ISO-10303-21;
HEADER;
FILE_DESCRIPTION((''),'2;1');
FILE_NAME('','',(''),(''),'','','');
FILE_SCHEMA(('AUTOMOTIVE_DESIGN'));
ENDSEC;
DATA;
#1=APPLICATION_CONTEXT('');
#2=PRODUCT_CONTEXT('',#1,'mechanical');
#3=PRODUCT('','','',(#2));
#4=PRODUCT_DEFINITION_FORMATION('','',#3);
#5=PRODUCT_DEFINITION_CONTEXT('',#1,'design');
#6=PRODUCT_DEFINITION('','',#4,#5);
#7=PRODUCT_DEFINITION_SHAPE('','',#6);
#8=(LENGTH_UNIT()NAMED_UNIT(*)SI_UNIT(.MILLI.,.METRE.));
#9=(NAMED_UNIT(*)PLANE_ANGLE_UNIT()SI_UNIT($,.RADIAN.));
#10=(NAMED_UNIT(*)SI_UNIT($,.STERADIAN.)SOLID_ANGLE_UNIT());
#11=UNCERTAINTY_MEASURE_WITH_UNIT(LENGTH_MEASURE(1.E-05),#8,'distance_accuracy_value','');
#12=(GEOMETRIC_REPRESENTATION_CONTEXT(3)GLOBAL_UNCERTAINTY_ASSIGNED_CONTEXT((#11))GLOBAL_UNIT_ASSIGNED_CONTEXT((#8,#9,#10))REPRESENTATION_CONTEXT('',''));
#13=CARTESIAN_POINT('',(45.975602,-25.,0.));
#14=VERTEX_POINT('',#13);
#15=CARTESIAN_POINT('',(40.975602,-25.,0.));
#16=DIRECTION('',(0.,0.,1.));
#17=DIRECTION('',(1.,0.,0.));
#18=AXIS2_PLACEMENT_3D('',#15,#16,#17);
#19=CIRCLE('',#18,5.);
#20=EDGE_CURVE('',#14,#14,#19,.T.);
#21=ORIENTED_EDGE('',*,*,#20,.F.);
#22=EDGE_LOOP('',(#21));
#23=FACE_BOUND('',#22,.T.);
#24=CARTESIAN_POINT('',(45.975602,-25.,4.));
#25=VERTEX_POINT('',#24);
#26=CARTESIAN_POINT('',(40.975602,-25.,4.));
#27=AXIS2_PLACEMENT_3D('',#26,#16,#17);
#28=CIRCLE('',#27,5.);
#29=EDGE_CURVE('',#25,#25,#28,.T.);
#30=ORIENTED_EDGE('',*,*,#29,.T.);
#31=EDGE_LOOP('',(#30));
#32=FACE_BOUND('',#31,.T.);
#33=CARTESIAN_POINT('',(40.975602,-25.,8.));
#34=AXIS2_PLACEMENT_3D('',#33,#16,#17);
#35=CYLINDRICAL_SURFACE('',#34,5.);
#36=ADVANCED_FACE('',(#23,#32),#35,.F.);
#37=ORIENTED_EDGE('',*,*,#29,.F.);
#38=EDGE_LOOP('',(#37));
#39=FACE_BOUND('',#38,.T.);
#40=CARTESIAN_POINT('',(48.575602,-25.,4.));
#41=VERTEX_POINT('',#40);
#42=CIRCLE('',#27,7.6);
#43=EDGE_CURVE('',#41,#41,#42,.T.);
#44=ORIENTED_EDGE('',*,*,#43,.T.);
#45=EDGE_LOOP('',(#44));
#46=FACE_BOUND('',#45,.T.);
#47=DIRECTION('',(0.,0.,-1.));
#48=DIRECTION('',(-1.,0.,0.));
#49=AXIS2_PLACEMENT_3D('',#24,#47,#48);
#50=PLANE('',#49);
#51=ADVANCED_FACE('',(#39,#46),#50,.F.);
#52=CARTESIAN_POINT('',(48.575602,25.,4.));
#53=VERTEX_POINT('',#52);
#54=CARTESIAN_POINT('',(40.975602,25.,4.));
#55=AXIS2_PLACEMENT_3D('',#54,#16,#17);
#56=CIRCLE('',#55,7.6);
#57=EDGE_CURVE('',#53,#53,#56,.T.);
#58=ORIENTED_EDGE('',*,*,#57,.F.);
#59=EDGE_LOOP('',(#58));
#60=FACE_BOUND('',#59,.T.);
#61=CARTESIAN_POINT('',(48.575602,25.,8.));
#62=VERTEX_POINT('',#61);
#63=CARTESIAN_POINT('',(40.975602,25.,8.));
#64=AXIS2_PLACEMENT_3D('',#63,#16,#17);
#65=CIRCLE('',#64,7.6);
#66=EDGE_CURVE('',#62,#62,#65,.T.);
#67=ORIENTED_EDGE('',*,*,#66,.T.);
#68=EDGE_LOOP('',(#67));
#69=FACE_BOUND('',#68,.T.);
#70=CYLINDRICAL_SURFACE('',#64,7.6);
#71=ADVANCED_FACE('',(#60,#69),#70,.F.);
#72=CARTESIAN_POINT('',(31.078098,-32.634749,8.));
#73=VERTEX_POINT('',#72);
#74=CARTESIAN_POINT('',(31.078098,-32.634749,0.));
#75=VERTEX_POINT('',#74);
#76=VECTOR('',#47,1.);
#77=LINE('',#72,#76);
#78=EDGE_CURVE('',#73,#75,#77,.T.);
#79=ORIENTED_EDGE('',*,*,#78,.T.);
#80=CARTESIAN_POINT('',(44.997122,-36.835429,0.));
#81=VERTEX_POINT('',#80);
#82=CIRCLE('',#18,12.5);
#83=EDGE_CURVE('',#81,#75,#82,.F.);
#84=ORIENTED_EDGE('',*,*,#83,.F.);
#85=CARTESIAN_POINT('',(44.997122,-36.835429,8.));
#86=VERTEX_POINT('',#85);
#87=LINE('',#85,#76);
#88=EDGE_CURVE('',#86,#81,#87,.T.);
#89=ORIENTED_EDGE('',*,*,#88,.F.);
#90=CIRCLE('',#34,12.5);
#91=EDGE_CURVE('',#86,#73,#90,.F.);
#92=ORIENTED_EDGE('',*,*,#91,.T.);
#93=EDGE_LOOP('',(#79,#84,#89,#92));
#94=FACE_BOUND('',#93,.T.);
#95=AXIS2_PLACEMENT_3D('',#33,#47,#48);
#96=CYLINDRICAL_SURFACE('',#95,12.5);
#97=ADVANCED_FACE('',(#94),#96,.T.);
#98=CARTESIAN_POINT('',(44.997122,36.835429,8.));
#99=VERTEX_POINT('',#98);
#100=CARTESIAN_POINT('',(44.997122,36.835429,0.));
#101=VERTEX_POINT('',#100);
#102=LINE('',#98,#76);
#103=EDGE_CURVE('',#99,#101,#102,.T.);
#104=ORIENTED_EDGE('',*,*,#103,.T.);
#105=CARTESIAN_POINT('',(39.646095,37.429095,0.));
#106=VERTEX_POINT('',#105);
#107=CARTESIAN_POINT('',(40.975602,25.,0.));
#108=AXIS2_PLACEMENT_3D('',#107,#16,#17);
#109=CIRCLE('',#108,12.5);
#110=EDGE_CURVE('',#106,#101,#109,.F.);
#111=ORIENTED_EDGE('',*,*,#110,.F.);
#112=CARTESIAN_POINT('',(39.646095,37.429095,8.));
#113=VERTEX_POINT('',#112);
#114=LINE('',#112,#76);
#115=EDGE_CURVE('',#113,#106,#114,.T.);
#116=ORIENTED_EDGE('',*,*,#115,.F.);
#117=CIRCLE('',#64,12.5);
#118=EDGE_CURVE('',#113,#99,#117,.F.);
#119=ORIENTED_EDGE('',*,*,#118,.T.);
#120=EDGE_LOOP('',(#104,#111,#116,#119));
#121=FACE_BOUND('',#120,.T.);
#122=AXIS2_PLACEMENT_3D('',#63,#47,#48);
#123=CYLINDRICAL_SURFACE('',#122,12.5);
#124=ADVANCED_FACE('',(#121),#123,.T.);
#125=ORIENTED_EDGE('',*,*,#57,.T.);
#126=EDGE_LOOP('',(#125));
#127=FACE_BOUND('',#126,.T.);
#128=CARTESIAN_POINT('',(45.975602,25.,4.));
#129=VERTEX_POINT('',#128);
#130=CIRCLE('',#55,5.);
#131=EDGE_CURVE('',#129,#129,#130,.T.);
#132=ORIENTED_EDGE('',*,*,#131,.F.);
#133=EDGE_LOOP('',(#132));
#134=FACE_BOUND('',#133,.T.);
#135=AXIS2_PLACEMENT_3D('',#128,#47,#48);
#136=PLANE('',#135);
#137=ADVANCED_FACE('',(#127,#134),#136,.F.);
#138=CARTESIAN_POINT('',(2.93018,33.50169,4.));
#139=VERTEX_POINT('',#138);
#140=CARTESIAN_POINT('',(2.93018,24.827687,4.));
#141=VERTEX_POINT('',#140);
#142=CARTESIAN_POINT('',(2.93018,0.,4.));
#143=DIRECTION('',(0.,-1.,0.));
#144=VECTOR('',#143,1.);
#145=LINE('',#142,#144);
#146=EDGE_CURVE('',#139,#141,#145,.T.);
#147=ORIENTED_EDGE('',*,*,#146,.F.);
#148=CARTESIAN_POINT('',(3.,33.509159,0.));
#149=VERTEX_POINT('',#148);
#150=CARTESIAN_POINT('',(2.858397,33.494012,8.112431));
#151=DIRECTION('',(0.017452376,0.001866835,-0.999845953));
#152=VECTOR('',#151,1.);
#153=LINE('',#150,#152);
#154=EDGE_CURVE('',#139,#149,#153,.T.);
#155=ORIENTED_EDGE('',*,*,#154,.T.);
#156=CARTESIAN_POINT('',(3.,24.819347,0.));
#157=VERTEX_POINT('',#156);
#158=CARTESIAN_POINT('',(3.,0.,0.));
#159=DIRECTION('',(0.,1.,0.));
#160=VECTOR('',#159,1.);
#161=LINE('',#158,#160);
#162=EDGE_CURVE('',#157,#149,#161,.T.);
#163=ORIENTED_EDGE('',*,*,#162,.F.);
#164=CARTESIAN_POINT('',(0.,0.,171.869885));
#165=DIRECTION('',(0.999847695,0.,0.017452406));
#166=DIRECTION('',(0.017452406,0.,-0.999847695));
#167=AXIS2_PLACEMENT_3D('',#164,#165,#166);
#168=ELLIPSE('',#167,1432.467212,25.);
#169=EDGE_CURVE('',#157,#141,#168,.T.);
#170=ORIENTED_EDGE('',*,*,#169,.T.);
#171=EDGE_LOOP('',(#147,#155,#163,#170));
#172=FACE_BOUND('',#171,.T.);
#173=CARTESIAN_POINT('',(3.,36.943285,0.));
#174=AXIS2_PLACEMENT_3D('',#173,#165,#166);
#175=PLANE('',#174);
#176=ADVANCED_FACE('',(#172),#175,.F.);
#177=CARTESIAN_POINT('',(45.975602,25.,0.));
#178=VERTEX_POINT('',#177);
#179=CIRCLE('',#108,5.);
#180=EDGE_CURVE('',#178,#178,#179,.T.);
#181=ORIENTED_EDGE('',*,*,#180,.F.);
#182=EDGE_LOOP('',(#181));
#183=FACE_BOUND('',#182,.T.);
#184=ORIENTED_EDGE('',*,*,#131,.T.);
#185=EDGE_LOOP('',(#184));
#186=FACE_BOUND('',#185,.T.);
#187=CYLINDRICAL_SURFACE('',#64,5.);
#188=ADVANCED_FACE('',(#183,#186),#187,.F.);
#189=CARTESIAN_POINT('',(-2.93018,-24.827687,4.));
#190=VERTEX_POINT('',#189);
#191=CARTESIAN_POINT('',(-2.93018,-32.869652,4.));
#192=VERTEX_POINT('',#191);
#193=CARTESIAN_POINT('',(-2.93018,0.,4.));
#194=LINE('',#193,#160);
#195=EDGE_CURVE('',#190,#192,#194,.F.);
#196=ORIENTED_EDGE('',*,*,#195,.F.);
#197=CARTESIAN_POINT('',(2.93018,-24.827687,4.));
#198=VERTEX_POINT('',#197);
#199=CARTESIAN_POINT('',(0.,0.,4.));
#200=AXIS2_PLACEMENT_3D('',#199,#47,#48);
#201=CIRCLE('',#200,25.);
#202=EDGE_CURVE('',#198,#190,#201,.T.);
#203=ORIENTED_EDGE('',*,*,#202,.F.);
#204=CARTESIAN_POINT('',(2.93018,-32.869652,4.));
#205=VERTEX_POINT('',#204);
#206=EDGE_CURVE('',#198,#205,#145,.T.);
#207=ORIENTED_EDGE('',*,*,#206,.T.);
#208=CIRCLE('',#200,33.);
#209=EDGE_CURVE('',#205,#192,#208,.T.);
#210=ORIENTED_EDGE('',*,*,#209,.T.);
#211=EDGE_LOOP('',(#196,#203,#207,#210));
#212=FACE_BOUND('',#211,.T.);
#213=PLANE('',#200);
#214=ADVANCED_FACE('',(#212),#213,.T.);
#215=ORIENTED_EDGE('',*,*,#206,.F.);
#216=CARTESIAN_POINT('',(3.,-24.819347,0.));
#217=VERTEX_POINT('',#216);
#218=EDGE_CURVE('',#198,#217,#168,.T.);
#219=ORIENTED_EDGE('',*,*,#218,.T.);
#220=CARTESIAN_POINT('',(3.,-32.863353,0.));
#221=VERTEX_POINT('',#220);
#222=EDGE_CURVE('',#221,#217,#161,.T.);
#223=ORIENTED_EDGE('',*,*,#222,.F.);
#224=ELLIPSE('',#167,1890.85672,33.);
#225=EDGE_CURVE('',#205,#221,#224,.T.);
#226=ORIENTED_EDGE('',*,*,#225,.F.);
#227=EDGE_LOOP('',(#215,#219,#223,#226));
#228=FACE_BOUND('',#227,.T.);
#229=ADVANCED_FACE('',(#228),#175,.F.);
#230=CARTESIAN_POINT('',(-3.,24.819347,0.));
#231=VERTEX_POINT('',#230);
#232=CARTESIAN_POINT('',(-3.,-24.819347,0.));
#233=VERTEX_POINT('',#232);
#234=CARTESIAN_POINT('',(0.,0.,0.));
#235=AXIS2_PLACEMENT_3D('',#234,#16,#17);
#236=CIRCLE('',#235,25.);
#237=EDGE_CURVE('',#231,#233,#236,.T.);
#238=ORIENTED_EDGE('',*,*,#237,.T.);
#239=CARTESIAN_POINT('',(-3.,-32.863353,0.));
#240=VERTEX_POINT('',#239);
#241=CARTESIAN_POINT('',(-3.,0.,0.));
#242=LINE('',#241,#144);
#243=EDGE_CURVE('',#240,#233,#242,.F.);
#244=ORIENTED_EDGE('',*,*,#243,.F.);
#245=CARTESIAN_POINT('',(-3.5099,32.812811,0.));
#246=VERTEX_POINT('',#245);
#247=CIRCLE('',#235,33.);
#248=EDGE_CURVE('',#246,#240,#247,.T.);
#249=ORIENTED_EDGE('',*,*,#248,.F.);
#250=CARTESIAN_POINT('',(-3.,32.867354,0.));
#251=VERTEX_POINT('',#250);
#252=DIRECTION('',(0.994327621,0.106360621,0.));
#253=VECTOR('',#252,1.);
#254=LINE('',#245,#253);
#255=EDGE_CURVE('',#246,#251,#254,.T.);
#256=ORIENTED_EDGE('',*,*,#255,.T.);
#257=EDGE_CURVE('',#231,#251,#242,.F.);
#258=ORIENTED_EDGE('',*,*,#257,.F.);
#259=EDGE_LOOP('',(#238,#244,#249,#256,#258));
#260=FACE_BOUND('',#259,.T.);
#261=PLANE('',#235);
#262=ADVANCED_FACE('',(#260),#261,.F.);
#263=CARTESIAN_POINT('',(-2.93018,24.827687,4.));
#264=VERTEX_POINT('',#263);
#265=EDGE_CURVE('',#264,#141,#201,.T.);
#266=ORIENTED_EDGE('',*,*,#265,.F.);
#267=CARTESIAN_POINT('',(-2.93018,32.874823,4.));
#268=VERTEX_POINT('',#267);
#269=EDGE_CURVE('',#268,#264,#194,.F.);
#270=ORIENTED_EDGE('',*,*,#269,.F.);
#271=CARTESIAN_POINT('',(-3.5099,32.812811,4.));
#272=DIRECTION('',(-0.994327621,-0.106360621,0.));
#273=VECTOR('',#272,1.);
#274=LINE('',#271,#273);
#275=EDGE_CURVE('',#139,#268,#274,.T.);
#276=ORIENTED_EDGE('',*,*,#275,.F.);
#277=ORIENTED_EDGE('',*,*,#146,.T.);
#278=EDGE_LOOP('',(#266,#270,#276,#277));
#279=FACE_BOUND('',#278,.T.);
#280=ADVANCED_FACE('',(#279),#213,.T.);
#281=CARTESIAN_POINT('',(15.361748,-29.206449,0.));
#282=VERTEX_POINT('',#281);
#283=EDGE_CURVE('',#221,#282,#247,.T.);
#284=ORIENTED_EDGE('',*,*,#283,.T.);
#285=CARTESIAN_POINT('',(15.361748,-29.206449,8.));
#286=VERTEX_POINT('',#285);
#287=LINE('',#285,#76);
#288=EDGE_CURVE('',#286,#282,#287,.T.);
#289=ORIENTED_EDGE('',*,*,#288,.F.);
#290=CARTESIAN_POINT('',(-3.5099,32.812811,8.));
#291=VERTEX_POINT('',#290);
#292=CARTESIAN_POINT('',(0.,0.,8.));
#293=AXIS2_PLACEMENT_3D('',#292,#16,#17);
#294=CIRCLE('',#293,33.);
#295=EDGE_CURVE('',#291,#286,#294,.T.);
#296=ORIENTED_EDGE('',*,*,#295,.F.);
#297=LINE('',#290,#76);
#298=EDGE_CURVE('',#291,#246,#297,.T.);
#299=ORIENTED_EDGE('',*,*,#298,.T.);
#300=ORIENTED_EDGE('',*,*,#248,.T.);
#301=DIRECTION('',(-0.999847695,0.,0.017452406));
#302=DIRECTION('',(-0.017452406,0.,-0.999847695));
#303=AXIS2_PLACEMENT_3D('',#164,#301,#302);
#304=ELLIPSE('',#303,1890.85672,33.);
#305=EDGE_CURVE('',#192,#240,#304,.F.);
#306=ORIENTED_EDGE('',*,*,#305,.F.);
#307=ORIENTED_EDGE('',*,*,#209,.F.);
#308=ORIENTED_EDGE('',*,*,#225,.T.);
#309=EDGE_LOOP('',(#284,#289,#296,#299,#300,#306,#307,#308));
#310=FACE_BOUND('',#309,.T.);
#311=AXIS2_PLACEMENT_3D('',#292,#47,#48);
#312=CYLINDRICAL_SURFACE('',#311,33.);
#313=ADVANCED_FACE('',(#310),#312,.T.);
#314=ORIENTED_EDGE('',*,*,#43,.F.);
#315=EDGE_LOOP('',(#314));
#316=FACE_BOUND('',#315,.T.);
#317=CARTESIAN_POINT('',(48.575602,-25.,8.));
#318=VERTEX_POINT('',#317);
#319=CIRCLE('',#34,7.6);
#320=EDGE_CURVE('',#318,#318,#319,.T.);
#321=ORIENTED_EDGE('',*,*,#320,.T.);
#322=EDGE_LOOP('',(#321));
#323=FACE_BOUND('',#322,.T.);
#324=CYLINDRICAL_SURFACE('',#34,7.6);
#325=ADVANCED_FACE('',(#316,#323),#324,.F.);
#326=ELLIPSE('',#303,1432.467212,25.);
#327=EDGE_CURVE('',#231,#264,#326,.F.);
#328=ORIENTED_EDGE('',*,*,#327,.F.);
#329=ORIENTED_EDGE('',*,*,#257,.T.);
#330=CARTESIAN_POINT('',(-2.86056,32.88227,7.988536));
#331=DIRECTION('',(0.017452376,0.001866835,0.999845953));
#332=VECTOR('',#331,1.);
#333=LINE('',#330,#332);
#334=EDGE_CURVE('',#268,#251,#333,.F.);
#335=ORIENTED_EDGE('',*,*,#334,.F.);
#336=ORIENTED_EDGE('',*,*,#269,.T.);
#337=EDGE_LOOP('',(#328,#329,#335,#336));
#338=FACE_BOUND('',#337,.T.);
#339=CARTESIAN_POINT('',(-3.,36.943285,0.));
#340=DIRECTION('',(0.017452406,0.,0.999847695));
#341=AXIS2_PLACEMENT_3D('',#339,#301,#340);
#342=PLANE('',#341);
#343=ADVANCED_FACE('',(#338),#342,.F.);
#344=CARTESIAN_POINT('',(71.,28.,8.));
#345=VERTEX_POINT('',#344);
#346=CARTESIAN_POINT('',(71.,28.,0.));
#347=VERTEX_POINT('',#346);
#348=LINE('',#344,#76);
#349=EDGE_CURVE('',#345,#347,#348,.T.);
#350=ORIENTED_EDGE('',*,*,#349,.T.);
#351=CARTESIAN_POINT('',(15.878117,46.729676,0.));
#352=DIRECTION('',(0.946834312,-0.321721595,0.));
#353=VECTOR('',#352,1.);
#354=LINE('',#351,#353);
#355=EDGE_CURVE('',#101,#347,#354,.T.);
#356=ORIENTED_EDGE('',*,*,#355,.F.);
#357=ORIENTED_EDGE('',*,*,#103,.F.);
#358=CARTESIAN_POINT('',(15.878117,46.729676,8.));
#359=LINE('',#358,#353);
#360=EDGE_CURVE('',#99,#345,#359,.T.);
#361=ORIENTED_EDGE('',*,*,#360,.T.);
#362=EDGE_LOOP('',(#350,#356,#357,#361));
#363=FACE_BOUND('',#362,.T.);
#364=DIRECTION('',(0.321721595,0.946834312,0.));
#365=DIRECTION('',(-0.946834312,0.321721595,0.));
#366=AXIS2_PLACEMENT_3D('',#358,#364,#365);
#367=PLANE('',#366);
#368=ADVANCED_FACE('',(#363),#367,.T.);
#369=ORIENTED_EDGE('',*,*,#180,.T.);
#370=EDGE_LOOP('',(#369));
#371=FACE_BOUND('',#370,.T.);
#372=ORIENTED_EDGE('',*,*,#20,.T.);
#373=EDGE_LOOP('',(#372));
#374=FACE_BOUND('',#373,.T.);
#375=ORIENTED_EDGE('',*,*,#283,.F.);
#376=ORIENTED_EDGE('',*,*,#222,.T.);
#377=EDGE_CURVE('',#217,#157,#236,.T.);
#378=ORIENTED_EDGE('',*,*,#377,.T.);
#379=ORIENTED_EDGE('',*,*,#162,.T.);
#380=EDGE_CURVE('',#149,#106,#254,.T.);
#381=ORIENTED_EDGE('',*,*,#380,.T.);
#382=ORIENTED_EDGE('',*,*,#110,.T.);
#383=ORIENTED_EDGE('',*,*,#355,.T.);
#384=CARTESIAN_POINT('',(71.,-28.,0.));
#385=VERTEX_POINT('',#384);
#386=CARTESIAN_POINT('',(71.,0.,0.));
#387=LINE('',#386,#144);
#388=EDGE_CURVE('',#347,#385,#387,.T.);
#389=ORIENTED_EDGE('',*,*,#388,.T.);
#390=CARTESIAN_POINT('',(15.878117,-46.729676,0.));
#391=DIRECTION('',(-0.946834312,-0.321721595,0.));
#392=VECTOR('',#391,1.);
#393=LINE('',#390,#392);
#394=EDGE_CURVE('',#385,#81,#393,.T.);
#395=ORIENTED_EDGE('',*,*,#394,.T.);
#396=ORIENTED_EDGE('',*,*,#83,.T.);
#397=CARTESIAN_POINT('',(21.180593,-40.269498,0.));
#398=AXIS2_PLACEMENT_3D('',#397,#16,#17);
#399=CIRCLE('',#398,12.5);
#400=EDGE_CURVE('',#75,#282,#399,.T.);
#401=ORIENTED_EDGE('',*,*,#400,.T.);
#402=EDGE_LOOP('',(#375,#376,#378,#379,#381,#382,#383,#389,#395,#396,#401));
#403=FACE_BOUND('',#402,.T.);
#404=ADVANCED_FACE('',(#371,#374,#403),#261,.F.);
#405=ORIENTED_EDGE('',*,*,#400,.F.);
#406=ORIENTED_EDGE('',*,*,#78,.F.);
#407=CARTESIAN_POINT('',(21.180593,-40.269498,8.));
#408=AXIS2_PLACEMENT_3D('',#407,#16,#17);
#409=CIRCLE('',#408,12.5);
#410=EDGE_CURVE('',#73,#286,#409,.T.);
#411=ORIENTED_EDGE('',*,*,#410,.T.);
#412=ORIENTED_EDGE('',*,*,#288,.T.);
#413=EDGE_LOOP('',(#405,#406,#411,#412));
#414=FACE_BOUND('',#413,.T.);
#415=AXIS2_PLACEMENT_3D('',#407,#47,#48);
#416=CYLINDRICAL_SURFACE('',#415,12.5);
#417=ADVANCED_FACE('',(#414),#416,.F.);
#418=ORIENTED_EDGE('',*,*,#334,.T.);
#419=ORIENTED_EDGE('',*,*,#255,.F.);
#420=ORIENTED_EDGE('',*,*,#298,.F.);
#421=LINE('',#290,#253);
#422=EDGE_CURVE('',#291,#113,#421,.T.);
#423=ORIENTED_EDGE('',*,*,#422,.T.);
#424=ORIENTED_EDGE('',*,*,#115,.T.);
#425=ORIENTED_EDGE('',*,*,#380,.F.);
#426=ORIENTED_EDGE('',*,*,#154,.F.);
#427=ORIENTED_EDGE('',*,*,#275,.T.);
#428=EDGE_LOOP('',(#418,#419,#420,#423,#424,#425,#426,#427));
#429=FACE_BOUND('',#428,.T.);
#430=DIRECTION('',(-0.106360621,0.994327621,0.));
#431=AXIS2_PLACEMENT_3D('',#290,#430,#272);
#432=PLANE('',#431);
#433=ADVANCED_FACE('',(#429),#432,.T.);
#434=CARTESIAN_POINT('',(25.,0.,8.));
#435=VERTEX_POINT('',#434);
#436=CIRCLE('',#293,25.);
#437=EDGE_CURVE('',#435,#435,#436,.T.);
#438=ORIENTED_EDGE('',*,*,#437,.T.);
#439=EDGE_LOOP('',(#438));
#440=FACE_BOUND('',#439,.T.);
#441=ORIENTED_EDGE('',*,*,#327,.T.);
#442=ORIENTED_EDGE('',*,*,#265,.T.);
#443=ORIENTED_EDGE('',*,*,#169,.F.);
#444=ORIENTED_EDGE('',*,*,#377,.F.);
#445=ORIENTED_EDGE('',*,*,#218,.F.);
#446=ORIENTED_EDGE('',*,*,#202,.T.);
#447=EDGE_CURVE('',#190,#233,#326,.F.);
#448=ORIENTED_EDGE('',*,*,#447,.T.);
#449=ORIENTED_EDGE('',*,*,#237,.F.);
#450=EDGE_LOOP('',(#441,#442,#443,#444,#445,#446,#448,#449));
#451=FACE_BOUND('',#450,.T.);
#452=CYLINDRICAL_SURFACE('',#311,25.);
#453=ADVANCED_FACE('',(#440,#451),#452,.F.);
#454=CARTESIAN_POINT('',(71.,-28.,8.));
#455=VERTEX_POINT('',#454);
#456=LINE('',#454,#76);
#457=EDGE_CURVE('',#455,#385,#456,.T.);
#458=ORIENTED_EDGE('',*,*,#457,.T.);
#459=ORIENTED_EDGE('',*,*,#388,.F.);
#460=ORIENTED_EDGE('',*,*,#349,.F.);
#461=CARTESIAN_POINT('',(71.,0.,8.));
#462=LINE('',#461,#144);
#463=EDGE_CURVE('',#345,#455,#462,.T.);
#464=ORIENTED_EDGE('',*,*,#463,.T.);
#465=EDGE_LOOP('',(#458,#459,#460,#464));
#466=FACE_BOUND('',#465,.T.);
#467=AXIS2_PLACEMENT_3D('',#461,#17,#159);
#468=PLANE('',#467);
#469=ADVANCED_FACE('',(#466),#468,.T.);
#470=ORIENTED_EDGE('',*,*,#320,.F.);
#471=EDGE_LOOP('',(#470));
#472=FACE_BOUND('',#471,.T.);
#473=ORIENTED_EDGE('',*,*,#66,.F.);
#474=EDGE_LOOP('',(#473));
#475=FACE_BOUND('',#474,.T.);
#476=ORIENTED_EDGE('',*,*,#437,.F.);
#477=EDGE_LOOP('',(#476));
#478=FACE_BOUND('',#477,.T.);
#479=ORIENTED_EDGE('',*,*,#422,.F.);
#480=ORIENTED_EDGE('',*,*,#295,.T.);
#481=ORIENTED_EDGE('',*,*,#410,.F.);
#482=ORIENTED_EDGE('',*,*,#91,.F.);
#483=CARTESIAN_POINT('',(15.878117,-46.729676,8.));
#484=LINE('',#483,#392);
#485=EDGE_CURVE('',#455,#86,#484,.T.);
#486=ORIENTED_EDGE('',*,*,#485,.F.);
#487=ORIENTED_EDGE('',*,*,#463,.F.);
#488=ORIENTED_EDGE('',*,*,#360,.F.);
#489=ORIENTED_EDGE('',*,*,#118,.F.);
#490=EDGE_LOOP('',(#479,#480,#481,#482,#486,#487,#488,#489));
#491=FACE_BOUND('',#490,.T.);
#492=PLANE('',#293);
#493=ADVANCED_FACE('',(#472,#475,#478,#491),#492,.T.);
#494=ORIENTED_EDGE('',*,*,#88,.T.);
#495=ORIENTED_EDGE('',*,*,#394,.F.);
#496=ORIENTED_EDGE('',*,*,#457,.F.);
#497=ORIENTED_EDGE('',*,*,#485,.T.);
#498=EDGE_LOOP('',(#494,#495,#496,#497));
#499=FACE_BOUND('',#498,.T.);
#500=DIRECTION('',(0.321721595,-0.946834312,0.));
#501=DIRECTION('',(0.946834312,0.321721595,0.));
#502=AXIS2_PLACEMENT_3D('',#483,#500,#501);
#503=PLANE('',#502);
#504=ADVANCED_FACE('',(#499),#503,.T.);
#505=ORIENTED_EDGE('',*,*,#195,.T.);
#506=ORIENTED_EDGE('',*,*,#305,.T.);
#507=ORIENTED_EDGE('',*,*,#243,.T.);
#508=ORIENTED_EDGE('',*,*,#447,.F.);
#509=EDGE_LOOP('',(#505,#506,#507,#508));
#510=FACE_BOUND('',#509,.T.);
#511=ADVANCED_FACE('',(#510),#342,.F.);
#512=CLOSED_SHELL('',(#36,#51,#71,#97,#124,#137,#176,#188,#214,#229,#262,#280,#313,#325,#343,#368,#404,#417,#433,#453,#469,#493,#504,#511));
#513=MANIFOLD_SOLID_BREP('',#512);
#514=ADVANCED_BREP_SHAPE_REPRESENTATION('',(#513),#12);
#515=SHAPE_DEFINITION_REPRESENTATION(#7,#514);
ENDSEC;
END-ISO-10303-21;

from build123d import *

# Parameters (mm, degrees)
SKETCH_1_R                = 33
SKETCH_1_R_2              = 25
EXTRUDE_1_DEPTH           = 8
SKETCH_3_W                = 6
SKETCH_3_H                = 75.065219084
CUT_EXTRUDE_1_DEPTH       = 4
CUT_EXTRUDE_1_DRAFT       = -1
HOLE_WIZARD_1_D           = 10
HOLE_WIZARD_1_CBORE_D     = 15.2
HOLE_WIZARD_1_CBORE_DEPTH = 4


with BuildPart() as part:
    # 草图1 → 凸台-拉伸1 (new body)
    # profile 1 of 2: a face of its own
    with BuildSketch(Plane.XY):
        Circle(SKETCH_1_R)
        Circle(SKETCH_1_R_2, mode=Mode.SUBTRACT)
    # profile 2 of 2: a face of its own
    with BuildSketch(Plane.XY):
        with BuildLine():
            Line((39.646094734, 37.429095265), (-3.509900495, 32.8128115))
            ThreePointArc((-3.509900495, 32.8128115), (22.058708979, 24.544110458), (33, 0))
            ThreePointArc((33, 0), (28.248342415, -17.059635132), (15.361748435, -29.206449374))
            ThreePointArc((15.361748435, -29.206449374), (23.844645568, -28.056684557), (31.078097518, -32.63474919))
            ThreePointArc((31.078097518, -32.63474919), (37.364061613, -36.96690321), (44.997122438, -36.835428905))
            Line((44.997122438, -36.835428905), (71, -28))
            Line((71, -28), (71, 28))
            Line((71, 28), (44.997122438, 36.835428905))
            ThreePointArc((44.997122438, 36.835428905), (42.353950178, 37.42377389), (39.646094734, 37.429095265))
        make_face()
    extrude(amount=EXTRUDE_1_DEPTH)


with BuildPart() as cut_extrude_1_tool:
    # 草图3 → 切除-拉伸-薄壁1 (with draft: the straight prism first)
    with BuildSketch(Plane(origin=(0, 0, 0), x_dir=(-1, 0, 0), z_dir=(0, 0, -1))):
        with Locations((0, -0.589324586)):
            Rectangle(SKETCH_3_W, SKETCH_3_H)
    extrude(amount=-CUT_EXTRUDE_1_DEPTH)
    # 切除-拉伸-薄壁1: the draft: its side faces are tilted about the plane it starts from
    cut_extrude_1_sides = [cut_extrude_1_tool.faces().sort_by_distance(p)[0] for p in [
        (3, -0.589324586, 2),
        (0, -38.121934128, 2),
        (-3, -0.589324586, 2),
        (0, 36.943284956, 2),
    ]]
    draft(cut_extrude_1_sides, Plane(origin=(0, 0, 0), x_dir=(-1, 0, 0), z_dir=(0, 0, -1)), CUT_EXTRUDE_1_DRAFT)


with BuildPart() as part_1:
    add(part.part)

    # 切除-拉伸-薄壁1: cut by cut_extrude_1_tool
    add(cut_extrude_1_tool.part, mode=Mode.SUBTRACT)

    # 孔1 (through all)
    with Locations(Plane.XY.offset(8)):
        with Locations((40.975602497, 25), (40.975602497, -25)):
            CounterBoreHole(HOLE_WIZARD_1_D / 2, HOLE_WIZARD_1_CBORE_D / 2, HOLE_WIZARD_1_CBORE_DEPTH)


solid = part_1.part
